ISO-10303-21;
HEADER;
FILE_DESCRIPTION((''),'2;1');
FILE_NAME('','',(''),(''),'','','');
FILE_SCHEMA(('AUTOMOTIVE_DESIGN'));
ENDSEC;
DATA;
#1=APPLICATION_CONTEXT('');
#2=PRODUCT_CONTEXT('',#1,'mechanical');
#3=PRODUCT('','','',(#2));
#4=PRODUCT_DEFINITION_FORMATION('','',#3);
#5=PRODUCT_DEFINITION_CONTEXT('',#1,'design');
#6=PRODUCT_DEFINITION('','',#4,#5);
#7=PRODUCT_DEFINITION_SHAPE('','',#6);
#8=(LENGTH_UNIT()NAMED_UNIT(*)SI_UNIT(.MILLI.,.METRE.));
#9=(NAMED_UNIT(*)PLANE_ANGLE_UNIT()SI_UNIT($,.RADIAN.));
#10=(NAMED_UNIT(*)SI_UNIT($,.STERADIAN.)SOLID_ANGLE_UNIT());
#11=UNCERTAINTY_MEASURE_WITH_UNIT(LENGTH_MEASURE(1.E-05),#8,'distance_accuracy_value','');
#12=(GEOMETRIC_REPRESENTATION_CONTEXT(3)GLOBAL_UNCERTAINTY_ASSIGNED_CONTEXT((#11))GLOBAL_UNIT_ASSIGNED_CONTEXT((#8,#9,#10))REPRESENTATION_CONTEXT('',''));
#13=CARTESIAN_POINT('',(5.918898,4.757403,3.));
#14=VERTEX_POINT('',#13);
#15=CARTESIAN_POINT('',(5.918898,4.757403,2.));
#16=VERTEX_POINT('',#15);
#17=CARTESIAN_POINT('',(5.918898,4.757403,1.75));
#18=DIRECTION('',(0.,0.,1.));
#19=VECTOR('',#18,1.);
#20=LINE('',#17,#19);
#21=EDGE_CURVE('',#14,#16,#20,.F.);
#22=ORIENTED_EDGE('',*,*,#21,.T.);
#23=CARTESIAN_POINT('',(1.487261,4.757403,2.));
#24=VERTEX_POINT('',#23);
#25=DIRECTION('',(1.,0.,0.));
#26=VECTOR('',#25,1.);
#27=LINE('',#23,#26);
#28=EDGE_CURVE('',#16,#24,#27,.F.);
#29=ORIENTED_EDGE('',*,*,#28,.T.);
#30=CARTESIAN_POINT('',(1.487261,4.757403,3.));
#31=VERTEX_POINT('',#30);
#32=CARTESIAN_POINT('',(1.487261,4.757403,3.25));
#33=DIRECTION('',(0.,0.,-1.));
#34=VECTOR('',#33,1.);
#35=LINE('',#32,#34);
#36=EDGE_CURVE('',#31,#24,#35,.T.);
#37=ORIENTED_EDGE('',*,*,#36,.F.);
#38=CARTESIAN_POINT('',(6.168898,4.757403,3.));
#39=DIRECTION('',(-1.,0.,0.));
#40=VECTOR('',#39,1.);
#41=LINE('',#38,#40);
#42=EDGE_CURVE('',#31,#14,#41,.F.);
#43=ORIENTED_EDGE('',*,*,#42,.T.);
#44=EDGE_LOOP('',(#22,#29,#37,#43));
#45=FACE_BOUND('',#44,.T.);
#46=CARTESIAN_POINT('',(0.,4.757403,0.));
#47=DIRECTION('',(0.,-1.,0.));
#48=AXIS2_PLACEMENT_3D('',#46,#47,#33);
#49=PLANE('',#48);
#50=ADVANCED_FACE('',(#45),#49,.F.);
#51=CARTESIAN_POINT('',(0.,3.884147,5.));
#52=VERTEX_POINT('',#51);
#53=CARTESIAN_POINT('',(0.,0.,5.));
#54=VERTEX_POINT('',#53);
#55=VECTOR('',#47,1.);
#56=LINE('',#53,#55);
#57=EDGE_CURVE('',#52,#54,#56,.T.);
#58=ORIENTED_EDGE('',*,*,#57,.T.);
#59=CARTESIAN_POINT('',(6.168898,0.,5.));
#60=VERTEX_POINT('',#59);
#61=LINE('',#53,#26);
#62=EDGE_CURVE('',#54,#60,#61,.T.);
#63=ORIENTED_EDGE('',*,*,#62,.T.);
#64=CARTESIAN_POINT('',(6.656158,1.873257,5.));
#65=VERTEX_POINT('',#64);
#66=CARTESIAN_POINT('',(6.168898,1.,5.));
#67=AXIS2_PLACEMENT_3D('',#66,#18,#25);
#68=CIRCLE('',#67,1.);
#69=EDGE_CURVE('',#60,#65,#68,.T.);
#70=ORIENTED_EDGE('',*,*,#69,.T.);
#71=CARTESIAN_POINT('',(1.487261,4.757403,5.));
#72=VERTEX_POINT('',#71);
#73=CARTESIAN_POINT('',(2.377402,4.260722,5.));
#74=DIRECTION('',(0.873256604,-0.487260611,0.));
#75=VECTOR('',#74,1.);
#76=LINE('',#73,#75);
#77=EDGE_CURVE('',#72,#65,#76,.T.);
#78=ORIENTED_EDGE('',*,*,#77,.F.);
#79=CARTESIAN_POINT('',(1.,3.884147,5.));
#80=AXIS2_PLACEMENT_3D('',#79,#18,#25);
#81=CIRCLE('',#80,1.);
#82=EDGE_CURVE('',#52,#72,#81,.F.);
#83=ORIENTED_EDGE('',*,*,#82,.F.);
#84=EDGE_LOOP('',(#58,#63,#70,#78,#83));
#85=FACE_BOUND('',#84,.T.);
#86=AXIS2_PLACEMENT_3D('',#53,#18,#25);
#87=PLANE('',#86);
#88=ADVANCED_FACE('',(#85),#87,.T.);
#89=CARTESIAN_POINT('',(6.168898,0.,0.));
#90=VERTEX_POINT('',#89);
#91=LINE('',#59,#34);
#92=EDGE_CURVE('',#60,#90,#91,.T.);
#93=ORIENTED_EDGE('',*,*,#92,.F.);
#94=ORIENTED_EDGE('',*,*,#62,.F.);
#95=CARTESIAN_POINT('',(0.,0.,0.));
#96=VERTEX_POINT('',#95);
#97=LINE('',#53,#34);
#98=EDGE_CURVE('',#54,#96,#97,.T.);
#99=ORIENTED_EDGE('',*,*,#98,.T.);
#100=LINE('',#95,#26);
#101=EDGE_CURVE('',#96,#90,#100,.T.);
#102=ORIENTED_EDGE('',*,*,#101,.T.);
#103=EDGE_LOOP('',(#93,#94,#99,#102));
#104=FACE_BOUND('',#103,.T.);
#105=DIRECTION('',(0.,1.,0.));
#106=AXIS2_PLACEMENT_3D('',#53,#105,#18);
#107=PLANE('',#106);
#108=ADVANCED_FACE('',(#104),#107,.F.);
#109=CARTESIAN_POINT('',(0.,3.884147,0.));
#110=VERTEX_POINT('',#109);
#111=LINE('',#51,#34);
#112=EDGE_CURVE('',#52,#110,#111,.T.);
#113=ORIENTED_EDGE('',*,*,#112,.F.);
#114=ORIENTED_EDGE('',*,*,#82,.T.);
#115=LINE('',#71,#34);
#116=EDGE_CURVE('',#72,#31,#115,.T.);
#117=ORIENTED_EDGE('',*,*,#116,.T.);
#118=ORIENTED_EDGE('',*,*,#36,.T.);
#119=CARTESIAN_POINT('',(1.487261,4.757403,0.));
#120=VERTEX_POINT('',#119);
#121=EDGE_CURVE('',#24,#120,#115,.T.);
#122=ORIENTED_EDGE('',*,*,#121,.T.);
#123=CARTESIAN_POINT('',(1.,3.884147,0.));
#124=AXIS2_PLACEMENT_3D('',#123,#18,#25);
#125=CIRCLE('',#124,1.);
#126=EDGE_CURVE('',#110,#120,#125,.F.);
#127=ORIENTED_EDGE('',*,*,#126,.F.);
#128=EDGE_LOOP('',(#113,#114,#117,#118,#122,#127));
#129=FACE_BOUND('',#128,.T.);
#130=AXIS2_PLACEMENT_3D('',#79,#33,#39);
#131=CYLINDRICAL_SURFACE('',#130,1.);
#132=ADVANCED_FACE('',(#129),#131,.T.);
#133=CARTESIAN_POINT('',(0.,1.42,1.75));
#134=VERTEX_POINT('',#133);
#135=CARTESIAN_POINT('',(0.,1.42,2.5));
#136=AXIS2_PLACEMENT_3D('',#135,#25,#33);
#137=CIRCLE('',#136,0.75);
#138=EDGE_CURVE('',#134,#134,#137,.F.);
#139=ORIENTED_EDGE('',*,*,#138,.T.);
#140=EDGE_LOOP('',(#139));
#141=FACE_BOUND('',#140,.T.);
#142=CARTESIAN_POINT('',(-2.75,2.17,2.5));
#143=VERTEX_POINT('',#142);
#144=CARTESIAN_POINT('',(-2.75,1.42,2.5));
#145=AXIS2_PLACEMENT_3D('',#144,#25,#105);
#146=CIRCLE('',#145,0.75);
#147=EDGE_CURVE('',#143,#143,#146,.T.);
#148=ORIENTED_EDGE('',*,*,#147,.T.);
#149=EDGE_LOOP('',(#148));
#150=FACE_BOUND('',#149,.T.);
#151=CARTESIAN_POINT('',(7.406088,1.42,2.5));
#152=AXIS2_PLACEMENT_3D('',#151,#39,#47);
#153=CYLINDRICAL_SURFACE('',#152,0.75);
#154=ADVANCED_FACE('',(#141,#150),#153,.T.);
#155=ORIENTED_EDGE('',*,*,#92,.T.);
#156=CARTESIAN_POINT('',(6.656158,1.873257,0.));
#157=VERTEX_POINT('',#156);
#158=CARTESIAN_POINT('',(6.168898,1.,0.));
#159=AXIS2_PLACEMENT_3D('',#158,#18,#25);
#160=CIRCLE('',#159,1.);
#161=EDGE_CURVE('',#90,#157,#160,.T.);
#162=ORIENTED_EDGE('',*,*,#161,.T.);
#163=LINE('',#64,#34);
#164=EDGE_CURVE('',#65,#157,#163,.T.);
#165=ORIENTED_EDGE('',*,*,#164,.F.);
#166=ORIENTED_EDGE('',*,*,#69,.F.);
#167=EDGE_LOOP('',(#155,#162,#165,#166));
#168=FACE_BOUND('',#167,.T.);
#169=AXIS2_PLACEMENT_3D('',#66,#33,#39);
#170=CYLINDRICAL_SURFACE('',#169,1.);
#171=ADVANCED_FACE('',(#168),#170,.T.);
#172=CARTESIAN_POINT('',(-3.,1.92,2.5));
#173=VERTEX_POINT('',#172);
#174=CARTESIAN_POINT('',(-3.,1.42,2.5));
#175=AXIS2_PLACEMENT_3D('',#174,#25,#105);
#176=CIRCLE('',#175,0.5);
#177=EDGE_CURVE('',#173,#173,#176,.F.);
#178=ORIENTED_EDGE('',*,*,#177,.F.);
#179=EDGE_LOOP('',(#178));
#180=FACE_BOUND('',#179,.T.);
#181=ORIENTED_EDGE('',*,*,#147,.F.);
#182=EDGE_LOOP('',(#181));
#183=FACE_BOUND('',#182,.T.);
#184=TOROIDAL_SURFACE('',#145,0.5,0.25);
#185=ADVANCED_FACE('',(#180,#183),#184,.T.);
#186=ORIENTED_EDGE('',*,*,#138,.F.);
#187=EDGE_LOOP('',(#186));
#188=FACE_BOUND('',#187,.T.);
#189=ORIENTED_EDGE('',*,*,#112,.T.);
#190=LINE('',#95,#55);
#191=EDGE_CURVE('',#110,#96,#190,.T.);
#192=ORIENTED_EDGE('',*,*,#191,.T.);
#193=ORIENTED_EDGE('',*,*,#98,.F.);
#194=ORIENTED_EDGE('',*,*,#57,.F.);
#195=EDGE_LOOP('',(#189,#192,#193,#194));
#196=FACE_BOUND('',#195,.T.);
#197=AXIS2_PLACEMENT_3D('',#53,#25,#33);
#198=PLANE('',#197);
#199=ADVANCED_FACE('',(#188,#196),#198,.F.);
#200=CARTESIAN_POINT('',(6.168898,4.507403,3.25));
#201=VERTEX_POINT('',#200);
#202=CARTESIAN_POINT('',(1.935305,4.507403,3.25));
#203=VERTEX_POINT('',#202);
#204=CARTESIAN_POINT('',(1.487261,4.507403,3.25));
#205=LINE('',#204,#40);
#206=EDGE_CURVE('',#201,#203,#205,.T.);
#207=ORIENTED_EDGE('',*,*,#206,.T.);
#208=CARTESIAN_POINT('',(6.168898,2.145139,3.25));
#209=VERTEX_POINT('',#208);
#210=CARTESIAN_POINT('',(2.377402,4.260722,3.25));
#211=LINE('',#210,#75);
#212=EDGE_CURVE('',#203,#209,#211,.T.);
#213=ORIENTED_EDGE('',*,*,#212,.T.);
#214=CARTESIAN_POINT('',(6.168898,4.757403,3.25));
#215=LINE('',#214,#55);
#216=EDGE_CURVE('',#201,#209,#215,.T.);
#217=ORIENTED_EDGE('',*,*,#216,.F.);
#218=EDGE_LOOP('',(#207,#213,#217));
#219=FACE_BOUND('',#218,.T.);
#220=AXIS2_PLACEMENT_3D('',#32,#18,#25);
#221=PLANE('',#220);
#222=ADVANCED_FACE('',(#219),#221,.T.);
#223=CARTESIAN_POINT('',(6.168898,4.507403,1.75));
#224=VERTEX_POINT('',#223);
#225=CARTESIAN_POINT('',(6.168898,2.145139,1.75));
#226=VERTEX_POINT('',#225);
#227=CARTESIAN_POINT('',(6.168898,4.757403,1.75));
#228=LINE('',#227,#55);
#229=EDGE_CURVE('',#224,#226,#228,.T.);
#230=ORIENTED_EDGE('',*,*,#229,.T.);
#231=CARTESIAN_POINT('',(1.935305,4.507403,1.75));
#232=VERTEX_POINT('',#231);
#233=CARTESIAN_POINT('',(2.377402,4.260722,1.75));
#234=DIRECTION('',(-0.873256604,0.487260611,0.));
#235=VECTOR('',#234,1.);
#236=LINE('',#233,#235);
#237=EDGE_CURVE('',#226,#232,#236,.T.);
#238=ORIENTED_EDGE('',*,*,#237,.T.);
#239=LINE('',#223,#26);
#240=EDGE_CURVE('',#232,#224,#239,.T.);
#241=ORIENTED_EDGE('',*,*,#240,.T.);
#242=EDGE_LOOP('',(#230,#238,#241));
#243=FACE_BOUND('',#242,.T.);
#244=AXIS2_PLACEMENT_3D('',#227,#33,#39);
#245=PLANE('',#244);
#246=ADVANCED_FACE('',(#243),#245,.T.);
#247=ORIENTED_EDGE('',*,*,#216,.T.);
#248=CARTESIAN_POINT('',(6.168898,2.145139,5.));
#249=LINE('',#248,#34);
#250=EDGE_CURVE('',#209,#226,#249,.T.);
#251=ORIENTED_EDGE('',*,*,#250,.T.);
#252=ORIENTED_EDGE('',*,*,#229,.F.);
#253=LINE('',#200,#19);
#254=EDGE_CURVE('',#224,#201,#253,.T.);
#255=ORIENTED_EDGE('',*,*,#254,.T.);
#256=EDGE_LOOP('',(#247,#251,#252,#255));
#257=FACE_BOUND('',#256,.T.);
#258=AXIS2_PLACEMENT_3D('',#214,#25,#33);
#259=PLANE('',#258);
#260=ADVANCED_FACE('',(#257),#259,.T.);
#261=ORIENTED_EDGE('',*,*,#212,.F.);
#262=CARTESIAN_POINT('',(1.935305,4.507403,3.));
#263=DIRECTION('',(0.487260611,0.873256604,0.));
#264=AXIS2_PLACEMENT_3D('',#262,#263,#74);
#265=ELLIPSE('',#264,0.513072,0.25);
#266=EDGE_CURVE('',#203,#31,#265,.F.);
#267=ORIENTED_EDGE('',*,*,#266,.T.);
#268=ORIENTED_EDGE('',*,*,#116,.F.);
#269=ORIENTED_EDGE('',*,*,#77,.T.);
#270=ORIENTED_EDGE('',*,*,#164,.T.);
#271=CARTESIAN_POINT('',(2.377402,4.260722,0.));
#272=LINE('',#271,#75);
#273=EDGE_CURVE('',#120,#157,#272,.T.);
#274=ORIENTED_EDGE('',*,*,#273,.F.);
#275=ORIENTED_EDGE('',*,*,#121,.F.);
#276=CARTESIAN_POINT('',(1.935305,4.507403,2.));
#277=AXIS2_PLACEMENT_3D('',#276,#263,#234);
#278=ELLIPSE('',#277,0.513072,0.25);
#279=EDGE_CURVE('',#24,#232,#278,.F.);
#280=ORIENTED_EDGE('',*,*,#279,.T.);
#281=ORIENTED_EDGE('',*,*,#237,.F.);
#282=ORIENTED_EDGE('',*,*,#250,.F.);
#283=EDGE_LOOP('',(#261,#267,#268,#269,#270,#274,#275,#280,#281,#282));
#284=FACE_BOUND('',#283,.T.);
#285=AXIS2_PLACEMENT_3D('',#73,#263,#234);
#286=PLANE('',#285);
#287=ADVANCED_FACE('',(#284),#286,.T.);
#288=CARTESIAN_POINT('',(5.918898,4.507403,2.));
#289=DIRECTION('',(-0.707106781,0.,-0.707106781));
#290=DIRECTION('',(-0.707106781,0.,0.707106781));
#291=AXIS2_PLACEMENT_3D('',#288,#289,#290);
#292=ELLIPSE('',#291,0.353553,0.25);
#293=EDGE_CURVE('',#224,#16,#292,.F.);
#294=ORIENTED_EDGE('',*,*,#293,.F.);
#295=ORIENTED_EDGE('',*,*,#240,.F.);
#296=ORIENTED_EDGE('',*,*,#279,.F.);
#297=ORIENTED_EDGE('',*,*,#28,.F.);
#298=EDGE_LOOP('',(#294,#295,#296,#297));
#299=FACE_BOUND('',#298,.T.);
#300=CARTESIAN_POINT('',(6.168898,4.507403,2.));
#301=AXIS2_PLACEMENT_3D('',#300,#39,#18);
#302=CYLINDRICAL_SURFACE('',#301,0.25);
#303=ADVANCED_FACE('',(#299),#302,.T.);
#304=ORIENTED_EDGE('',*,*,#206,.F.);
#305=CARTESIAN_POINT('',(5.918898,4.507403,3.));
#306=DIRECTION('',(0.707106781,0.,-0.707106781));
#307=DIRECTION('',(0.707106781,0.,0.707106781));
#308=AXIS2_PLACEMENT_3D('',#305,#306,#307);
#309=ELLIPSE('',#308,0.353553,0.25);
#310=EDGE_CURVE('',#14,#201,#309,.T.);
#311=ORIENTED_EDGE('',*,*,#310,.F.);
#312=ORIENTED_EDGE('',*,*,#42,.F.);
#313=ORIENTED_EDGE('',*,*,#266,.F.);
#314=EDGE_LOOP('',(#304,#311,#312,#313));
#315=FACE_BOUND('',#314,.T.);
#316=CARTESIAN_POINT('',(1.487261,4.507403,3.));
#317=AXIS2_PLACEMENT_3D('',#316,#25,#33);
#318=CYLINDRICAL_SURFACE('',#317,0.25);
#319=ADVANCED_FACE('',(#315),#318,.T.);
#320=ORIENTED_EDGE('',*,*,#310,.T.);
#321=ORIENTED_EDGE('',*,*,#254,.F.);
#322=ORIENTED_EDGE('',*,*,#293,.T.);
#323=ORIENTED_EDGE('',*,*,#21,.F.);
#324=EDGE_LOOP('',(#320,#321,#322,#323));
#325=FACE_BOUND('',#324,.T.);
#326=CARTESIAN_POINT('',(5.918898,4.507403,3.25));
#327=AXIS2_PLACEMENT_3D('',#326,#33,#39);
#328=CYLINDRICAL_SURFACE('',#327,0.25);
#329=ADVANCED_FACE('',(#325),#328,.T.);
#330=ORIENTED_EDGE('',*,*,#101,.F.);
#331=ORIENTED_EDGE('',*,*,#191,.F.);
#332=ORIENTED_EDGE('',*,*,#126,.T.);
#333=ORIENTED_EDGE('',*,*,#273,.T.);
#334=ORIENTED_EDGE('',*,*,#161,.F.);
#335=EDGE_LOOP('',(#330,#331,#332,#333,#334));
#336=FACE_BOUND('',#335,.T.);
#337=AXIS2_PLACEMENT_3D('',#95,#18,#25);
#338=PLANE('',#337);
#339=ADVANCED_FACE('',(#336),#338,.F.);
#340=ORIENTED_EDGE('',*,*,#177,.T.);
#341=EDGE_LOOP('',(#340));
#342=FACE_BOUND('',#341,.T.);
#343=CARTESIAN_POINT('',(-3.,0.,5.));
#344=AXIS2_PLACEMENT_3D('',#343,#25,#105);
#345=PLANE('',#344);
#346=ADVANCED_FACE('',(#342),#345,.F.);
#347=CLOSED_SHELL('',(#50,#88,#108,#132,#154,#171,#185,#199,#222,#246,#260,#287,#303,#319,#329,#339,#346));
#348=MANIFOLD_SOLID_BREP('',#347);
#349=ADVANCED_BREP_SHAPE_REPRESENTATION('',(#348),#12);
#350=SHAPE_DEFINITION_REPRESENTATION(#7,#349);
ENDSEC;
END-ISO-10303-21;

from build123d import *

# Parameters (mm, degrees)
BOSS_EXTRUDE1_DEPTH = 5
SKETCH2_W           = 6.952682296
SKETCH2_H           = 2.551538718
SKETCH2_R           = 0.75
CUT_EXTRUDE1_DEPTH  = 3
SKETCH3_W           = 4.68163698
SKETCH3_H           = 1.5
BOSS_EXTRUDE2_DEPTH = 4.757403
FILLET1_R           = 0.25
FILLET2_R           = 0.25


with BuildPart() as part:
    # Sketch1 → Boss-Extrude1 (new body)
    with BuildSketch(Plane.XY):
        with BuildLine():
            Line((0, 2.17), (-3, 2.17))
            Line((-3, 2.17), (-3, 0.67))
            Line((-3, 0.67), (0, 0.67))
            Line((0, 0.67), (0, 0))
            Line((0, 0), (6.168897591, 0))
            ThreePointArc((6.168897591, 0), (7.13669318, 0.748262641), (6.656158202, 1.873256604))
            Line((6.656158202, 1.873256604), (1.487260611, 4.757403357))
            ThreePointArc((1.487260611, 4.757403357), (0.49367037, 4.74648677), (0, 3.884146753))
            Line((0, 3.884146753), (0, 2.17))
        make_face()
    extrude(amount=BOSS_EXTRUDE1_DEPTH)

    # Sketch2 → Cut-Extrude1 (cut)
    with BuildSketch(Plane.ZY.offset(3)):
        with Locations((2.401285903, 1.467822219)):
            Rectangle(SKETCH2_W, SKETCH2_H)
        with Locations((2.5, 1.42)):
            Circle(SKETCH2_R, mode=Mode.SUBTRACT)
    extrude(amount=-CUT_EXTRUDE1_DEPTH, mode=Mode.SUBTRACT)

    # Sketch3 → Boss-Extrude2 (add)
    with BuildSketch(Plane.XZ):
        with Locations((3.828079101, 2.5)):
            Rectangle(SKETCH3_W, SKETCH3_H)
    extrude(amount=-BOSS_EXTRUDE2_DEPTH)

    # Fillet1
    fillet1_edges = [part.edges().sort_by_distance(p)[0] for p in [
        (-3, 1.42, 1.75),
    ]]
    fillet(fillet1_edges, radius=FILLET1_R)

    # Fillet2
    fillet2_edges = [part.edges().sort_by_distance(p)[0] for p in [
        (3.828079101, 4.757403, 1.75),
        (3.828079101, 4.757403, 3.25),
        (6.168897591, 4.757403, 2.5),
    ]]
    fillet(fillet2_edges, radius=FILLET2_R)


solid = part.part
